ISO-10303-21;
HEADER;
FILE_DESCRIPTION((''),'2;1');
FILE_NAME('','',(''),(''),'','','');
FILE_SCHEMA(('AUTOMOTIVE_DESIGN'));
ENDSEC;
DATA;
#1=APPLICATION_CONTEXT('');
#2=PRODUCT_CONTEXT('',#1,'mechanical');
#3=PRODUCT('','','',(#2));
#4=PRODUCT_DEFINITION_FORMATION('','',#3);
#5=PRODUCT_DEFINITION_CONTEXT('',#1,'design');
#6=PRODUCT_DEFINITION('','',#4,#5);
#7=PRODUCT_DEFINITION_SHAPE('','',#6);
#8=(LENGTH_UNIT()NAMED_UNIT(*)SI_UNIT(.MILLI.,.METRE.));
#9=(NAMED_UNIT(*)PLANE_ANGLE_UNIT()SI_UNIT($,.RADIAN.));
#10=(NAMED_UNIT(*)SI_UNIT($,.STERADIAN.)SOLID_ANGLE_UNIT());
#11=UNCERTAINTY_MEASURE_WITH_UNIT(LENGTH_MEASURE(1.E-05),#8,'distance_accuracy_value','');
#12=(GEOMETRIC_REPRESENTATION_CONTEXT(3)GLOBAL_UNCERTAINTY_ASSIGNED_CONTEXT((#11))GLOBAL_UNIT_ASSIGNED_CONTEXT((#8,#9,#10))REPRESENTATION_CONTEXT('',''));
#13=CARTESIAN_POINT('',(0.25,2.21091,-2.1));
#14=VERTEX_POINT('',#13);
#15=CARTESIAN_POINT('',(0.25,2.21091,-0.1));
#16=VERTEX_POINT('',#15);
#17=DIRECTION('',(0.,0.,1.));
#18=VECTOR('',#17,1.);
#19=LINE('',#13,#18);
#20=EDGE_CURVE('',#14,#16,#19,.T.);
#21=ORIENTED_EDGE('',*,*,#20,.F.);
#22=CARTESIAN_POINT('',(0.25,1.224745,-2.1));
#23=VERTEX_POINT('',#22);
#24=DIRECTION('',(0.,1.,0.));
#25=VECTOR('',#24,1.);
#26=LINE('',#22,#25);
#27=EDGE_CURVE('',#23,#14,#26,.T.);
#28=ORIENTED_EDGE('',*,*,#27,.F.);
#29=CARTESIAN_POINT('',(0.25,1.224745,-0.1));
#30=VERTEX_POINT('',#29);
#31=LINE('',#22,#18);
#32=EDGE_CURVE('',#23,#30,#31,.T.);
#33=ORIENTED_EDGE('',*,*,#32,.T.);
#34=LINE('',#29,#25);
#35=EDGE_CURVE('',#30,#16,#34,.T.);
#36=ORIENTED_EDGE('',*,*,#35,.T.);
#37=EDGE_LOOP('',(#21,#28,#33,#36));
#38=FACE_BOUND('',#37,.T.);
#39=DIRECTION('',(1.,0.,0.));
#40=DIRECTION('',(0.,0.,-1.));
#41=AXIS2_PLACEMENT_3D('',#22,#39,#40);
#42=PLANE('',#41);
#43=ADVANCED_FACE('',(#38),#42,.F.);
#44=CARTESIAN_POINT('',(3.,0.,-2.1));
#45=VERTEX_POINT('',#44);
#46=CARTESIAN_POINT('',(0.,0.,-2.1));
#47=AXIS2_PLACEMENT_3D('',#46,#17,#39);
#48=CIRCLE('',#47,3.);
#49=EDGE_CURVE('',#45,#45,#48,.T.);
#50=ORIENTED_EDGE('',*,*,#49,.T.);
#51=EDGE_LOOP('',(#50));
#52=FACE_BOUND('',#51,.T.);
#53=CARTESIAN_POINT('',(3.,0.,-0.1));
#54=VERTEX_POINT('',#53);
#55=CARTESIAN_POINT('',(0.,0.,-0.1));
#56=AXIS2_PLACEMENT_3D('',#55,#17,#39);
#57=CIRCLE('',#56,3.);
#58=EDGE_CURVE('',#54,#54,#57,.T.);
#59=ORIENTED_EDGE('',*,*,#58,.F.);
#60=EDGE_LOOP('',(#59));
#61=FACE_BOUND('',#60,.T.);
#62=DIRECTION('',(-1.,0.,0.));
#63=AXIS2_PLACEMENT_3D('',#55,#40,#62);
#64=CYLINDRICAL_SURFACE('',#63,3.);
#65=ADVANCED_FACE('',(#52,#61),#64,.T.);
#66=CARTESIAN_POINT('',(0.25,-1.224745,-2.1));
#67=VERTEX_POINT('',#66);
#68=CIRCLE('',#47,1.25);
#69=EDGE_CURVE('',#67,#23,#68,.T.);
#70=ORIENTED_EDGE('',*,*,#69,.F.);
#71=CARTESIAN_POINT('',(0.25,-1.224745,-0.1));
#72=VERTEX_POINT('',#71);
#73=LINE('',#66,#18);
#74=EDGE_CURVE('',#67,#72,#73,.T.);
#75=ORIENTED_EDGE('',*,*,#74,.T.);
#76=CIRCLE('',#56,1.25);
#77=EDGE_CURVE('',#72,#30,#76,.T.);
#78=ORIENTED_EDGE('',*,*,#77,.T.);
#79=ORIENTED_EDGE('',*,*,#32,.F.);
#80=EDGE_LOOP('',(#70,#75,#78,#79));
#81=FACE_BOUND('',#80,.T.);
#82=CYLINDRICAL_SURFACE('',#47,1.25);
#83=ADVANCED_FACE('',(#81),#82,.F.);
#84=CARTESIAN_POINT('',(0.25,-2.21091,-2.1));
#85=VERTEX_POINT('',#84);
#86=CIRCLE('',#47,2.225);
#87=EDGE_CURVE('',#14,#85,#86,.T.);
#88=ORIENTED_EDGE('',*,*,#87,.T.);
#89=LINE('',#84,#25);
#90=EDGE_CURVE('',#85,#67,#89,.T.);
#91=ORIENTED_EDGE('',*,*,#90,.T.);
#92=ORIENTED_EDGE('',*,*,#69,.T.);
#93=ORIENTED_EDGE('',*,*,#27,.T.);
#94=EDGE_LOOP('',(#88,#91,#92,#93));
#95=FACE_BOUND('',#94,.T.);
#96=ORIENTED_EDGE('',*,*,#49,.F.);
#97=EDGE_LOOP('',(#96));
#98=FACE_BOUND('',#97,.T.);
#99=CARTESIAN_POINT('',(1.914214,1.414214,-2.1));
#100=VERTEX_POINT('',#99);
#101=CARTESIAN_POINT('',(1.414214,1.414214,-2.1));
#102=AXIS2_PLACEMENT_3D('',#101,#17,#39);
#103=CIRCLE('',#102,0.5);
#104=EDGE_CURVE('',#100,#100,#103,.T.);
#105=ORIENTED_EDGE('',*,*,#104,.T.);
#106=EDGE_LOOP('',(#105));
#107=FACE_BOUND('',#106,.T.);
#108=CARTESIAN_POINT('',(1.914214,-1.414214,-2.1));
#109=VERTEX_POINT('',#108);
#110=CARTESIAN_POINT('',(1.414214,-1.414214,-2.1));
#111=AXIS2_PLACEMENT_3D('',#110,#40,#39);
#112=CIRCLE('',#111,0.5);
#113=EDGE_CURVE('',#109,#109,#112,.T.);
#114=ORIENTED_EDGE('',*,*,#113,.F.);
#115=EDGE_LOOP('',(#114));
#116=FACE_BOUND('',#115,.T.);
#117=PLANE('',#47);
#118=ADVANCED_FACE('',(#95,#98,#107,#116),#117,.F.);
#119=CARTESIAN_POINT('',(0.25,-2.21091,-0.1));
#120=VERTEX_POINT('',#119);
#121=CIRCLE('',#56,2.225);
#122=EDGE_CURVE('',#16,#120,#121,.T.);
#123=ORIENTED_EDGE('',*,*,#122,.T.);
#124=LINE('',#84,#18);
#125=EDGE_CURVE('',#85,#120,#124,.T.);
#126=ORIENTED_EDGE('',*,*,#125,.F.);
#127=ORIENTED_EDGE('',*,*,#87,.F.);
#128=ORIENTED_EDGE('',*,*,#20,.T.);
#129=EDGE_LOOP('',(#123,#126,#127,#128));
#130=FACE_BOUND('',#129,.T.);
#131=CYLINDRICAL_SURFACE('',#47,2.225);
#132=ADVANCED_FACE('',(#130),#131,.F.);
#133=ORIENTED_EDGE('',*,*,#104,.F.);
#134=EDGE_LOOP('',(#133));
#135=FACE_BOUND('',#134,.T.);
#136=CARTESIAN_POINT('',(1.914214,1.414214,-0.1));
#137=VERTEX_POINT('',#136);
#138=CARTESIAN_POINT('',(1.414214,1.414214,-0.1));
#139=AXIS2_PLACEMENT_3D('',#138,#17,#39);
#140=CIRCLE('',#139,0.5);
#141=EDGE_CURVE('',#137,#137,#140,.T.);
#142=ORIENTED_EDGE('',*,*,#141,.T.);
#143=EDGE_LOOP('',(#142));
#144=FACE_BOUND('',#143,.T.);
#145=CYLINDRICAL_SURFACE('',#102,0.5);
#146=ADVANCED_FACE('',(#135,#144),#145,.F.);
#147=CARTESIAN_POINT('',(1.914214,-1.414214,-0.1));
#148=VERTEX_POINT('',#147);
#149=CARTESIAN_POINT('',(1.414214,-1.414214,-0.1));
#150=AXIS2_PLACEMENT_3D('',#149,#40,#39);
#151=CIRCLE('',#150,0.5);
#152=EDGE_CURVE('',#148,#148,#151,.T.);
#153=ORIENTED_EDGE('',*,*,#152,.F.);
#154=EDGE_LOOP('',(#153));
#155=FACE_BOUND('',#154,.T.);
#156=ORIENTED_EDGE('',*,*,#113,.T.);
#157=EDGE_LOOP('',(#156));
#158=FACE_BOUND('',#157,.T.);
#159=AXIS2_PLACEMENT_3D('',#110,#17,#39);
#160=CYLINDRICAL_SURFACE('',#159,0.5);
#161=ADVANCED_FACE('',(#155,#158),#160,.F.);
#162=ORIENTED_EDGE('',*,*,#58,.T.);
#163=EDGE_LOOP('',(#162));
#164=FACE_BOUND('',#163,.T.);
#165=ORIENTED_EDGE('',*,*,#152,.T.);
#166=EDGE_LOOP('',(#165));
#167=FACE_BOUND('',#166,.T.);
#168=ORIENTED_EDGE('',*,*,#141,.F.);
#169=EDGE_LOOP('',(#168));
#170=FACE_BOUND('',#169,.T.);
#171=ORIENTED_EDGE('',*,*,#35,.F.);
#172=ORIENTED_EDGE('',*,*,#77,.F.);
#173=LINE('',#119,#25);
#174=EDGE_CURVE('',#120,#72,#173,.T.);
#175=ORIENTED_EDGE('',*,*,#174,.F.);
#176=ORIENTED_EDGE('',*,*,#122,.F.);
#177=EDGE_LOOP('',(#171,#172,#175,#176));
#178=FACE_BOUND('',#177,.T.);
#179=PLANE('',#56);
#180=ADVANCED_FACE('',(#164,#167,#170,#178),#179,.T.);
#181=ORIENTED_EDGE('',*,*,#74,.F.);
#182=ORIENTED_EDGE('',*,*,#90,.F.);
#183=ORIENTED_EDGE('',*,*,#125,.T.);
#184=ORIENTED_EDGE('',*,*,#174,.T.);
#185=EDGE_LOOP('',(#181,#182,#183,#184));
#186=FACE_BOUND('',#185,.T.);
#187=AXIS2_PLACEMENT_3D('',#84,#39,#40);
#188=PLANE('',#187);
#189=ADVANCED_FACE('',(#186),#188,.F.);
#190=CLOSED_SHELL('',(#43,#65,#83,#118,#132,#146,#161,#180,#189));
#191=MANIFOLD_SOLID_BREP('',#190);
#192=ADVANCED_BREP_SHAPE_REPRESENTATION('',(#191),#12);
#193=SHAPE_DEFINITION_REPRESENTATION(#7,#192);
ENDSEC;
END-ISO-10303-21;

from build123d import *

# Parameters (mm, degrees)
BOSS_EXTRUDE1_START = -2.1
SKETCH1_R           = 3
BOSS_EXTRUDE1_DEPTH = 2
CUT_EXTRUDE1_DEPTH  = 3
SKETCH3_R           = 0.5
CUT_EXTRUDE2_DEPTH  = 3


with BuildPart() as part:
    # Sketch1 → Boss-Extrude1 (new body)
    with BuildSketch(Plane.XY.offset(BOSS_EXTRUDE1_START)):
        Circle(SKETCH1_R)
    extrude(amount=BOSS_EXTRUDE1_DEPTH)

    # Sketch2 → Cut-Extrude1 (cut, through all)
    with BuildSketch(Plane.XY.offset(-0.1)):
        with BuildLine():
            Line((0.25, 1.224744871), (0.25, 2.210910446))
            ThreePointArc((0.25, 2.210910446), (-2.225, 0), (0.25, -2.210910446))
            Line((0.25, -2.210910446), (0.25, -1.224744871))
            ThreePointArc((0.25, -1.224744871), (1.25, 0), (0.25, 1.224744871))
        make_face()
    extrude(amount=-CUT_EXTRUDE1_DEPTH, mode=Mode.SUBTRACT)

    # Sketch3 → Cut-Extrude2 (cut, through all)
    with BuildSketch(Plane.XY.offset(-0.1)):
        with Locations((1.414213562, 1.414213562)):
            Circle(SKETCH3_R)
    cut_extrude2 = extrude(amount=-CUT_EXTRUDE2_DEPTH, mode=Mode.SUBTRACT)

    # Mirror1: Cut-Extrude2 across plane
    add(cut_extrude2.mirror(Plane.ZX), mode=Mode.SUBTRACT)


solid = part.part
